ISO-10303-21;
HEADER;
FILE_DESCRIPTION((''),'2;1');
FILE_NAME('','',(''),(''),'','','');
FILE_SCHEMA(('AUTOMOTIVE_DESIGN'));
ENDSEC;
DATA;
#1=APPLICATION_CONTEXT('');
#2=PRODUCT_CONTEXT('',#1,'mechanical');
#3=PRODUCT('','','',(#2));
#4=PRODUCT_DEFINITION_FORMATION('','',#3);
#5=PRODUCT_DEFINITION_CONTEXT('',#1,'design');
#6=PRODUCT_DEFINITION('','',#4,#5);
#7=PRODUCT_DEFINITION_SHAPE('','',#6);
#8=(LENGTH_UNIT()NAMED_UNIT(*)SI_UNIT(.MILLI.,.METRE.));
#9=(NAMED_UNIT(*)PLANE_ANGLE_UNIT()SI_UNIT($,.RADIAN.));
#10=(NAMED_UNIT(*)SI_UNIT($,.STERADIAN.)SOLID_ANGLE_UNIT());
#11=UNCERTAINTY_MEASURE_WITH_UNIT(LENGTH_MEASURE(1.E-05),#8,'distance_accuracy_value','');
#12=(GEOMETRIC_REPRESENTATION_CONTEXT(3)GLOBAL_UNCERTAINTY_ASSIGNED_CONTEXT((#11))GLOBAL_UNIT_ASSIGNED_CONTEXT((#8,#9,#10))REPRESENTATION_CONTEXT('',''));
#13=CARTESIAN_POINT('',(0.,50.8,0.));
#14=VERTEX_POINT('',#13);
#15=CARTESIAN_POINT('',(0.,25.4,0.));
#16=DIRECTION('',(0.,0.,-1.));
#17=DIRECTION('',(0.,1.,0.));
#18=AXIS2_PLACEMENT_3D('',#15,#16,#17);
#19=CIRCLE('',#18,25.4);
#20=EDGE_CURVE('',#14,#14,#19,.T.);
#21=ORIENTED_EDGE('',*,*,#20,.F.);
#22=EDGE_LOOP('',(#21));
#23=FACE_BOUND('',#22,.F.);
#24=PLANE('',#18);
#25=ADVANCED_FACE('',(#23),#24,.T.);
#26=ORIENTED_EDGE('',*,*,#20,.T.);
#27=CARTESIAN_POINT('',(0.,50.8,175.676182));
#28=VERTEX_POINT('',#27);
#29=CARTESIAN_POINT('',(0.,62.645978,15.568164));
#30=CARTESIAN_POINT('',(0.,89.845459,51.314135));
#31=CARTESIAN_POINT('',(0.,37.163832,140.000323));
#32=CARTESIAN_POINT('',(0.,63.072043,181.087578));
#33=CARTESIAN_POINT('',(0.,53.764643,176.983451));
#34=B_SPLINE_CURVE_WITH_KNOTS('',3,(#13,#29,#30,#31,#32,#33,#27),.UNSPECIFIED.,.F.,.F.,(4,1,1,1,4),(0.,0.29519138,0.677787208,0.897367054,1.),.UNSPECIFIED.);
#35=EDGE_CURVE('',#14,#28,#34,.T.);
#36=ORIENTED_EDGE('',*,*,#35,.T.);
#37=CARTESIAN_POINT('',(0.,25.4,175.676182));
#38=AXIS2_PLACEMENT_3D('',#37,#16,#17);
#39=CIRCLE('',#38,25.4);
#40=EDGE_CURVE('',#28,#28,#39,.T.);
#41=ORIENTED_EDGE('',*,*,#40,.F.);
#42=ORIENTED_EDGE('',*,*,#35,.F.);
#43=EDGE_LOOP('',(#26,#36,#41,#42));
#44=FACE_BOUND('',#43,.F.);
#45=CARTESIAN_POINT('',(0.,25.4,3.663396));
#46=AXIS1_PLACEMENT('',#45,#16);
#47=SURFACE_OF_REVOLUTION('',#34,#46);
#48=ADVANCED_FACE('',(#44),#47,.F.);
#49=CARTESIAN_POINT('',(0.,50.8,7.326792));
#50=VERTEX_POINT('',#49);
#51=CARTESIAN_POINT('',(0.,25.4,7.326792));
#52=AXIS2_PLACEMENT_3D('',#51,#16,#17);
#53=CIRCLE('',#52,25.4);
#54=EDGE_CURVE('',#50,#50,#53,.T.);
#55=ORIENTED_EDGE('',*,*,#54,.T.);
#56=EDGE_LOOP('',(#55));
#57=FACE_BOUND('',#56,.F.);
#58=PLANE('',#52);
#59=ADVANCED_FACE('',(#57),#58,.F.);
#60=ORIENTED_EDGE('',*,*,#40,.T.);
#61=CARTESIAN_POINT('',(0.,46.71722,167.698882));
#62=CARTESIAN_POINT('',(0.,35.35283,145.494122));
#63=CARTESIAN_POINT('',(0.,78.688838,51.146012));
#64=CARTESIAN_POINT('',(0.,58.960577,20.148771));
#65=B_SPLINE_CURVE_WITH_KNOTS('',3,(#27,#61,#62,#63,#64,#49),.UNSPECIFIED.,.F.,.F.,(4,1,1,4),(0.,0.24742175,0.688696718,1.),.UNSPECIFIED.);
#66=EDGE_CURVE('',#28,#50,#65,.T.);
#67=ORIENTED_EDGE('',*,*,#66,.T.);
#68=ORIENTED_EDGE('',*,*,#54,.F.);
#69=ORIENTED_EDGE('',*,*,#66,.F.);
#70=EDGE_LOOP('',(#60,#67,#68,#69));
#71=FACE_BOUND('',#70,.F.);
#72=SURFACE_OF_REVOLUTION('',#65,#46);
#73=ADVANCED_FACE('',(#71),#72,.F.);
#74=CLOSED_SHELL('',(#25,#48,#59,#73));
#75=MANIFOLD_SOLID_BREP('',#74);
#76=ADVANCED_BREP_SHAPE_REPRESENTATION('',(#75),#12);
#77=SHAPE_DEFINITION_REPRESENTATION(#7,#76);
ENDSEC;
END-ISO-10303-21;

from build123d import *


with BuildPart() as f1:
    # F0 (on Right) → F1 (revolve)
    with BuildSketch(Plane.YZ):
        with BuildLine():
            Line((25.4, 7.3267915286), (25.4, 0))
            Line((25.4, 0), (50.8, 0))
            add(Edge.make_bspline(
                [(50.8, 0), (62.6459781361, 15.5681641214), (89.8454594781, 51.3141350056), (37.1638323467, 140.0003231688), (63.0720426014, 181.0875784903), (53.7646428619, 176.9834506988), (50.8, 175.6761819124)],
                knots=[0, 0, 0, 0, 0.2951913805, 0.6777872079, 0.8973670541, 1, 1, 1, 1], degree=3))
            add(Edge.make_bspline(
                [(50.8, 175.6761819124), (46.7172199929, 167.6988816484), (35.3528302699, 145.494121906), (78.688838079, 51.1460123228), (58.9605766873, 20.1487710839), (50.8, 7.3267915286)],
                knots=[0, 0, 0, 0, 0.2474217498, 0.6886967177, 1, 1, 1, 1], degree=3))
            Line((50.8, 7.3267915286), (25.4, 7.3267915286))
        make_face()
    revolve(axis=Axis((0, 25.4, 3.6633957643), (0, 0, -1)))


solid = f1.part
